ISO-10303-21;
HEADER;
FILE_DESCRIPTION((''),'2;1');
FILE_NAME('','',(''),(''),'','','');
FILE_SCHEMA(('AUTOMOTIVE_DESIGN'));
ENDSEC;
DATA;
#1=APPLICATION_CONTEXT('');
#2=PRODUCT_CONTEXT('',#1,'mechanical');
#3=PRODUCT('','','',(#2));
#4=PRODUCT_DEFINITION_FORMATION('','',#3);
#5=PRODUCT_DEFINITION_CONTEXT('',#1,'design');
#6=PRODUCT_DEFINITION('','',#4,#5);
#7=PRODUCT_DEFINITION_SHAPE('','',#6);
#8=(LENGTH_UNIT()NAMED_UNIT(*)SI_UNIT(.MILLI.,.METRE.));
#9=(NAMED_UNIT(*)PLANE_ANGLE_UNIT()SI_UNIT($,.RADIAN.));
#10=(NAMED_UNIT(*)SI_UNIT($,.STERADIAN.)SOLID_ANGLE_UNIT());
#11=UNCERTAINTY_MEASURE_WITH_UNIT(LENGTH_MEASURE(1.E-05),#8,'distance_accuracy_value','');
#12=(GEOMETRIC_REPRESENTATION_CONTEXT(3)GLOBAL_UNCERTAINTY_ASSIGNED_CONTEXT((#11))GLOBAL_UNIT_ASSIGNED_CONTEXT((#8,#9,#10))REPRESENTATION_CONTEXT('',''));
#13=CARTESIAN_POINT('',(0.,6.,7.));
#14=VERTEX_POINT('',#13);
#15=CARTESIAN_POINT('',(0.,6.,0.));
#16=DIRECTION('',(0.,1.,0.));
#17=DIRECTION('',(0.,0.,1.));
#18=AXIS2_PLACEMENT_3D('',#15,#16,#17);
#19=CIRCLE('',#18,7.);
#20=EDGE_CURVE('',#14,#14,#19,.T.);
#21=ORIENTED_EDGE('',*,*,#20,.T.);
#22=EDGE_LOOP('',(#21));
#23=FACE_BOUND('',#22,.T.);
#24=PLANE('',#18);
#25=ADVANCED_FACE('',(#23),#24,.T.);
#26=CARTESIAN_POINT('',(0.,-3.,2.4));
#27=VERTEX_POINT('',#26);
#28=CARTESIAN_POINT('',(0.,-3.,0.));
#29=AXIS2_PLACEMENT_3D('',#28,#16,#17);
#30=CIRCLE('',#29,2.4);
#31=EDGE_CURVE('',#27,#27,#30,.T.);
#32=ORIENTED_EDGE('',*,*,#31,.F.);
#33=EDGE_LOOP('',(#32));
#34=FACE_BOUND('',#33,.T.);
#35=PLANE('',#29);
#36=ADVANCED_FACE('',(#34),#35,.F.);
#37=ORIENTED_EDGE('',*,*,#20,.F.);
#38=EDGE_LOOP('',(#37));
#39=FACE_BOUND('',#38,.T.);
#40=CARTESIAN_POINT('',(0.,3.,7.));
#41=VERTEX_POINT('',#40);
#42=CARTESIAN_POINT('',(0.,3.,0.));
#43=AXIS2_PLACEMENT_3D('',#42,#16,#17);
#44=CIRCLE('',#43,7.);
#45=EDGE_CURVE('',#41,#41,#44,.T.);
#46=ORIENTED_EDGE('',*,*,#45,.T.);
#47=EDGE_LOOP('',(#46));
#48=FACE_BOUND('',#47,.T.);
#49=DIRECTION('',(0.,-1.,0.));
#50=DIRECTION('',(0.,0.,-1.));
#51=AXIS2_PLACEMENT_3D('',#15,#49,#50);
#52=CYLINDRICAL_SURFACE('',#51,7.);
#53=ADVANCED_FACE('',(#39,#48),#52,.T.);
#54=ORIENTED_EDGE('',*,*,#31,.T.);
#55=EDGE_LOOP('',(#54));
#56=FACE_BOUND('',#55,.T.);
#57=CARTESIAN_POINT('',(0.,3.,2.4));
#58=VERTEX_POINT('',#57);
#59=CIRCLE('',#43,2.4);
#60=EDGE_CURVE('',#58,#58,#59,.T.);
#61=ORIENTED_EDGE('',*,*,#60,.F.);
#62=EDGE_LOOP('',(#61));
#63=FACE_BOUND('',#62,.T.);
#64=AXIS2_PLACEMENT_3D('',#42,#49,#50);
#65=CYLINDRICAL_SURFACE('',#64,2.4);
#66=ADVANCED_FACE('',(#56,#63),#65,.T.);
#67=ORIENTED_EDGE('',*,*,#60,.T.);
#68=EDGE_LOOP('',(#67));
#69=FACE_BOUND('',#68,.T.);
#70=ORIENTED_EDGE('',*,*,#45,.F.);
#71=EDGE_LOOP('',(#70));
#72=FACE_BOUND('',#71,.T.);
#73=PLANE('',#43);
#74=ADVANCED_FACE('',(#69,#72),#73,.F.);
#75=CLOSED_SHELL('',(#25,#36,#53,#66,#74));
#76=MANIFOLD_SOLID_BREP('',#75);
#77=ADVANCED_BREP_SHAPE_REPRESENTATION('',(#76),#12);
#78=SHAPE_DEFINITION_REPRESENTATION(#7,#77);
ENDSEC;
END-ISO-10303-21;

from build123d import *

# Parameters (mm, degrees)
CROQUIS1_R              = 2.4
SALIENTE_EXTRUIR1_DEPTH = 3
CROQUIS2_R              = 7
SALIENTE_EXTRUIR2_DEPTH = 3


with BuildPart() as part:
    # Croquis1 → Saliente-Extruir1 (new body, symmetric)
    with BuildSketch(Plane(origin=(0, 0, 0), x_dir=(1, 0, 0), z_dir=(0, 1, 0))):
        Circle(CROQUIS1_R)
    extrude(amount=SALIENTE_EXTRUIR1_DEPTH, both=True)

    # Croquis2 → Saliente-Extruir2 (add)
    with BuildSketch(Plane(origin=(0, 3, 0), x_dir=(1, 0, 0), z_dir=(0, 1, 0))):
        Circle(CROQUIS2_R)
    extrude(amount=SALIENTE_EXTRUIR2_DEPTH)


solid = part.part
